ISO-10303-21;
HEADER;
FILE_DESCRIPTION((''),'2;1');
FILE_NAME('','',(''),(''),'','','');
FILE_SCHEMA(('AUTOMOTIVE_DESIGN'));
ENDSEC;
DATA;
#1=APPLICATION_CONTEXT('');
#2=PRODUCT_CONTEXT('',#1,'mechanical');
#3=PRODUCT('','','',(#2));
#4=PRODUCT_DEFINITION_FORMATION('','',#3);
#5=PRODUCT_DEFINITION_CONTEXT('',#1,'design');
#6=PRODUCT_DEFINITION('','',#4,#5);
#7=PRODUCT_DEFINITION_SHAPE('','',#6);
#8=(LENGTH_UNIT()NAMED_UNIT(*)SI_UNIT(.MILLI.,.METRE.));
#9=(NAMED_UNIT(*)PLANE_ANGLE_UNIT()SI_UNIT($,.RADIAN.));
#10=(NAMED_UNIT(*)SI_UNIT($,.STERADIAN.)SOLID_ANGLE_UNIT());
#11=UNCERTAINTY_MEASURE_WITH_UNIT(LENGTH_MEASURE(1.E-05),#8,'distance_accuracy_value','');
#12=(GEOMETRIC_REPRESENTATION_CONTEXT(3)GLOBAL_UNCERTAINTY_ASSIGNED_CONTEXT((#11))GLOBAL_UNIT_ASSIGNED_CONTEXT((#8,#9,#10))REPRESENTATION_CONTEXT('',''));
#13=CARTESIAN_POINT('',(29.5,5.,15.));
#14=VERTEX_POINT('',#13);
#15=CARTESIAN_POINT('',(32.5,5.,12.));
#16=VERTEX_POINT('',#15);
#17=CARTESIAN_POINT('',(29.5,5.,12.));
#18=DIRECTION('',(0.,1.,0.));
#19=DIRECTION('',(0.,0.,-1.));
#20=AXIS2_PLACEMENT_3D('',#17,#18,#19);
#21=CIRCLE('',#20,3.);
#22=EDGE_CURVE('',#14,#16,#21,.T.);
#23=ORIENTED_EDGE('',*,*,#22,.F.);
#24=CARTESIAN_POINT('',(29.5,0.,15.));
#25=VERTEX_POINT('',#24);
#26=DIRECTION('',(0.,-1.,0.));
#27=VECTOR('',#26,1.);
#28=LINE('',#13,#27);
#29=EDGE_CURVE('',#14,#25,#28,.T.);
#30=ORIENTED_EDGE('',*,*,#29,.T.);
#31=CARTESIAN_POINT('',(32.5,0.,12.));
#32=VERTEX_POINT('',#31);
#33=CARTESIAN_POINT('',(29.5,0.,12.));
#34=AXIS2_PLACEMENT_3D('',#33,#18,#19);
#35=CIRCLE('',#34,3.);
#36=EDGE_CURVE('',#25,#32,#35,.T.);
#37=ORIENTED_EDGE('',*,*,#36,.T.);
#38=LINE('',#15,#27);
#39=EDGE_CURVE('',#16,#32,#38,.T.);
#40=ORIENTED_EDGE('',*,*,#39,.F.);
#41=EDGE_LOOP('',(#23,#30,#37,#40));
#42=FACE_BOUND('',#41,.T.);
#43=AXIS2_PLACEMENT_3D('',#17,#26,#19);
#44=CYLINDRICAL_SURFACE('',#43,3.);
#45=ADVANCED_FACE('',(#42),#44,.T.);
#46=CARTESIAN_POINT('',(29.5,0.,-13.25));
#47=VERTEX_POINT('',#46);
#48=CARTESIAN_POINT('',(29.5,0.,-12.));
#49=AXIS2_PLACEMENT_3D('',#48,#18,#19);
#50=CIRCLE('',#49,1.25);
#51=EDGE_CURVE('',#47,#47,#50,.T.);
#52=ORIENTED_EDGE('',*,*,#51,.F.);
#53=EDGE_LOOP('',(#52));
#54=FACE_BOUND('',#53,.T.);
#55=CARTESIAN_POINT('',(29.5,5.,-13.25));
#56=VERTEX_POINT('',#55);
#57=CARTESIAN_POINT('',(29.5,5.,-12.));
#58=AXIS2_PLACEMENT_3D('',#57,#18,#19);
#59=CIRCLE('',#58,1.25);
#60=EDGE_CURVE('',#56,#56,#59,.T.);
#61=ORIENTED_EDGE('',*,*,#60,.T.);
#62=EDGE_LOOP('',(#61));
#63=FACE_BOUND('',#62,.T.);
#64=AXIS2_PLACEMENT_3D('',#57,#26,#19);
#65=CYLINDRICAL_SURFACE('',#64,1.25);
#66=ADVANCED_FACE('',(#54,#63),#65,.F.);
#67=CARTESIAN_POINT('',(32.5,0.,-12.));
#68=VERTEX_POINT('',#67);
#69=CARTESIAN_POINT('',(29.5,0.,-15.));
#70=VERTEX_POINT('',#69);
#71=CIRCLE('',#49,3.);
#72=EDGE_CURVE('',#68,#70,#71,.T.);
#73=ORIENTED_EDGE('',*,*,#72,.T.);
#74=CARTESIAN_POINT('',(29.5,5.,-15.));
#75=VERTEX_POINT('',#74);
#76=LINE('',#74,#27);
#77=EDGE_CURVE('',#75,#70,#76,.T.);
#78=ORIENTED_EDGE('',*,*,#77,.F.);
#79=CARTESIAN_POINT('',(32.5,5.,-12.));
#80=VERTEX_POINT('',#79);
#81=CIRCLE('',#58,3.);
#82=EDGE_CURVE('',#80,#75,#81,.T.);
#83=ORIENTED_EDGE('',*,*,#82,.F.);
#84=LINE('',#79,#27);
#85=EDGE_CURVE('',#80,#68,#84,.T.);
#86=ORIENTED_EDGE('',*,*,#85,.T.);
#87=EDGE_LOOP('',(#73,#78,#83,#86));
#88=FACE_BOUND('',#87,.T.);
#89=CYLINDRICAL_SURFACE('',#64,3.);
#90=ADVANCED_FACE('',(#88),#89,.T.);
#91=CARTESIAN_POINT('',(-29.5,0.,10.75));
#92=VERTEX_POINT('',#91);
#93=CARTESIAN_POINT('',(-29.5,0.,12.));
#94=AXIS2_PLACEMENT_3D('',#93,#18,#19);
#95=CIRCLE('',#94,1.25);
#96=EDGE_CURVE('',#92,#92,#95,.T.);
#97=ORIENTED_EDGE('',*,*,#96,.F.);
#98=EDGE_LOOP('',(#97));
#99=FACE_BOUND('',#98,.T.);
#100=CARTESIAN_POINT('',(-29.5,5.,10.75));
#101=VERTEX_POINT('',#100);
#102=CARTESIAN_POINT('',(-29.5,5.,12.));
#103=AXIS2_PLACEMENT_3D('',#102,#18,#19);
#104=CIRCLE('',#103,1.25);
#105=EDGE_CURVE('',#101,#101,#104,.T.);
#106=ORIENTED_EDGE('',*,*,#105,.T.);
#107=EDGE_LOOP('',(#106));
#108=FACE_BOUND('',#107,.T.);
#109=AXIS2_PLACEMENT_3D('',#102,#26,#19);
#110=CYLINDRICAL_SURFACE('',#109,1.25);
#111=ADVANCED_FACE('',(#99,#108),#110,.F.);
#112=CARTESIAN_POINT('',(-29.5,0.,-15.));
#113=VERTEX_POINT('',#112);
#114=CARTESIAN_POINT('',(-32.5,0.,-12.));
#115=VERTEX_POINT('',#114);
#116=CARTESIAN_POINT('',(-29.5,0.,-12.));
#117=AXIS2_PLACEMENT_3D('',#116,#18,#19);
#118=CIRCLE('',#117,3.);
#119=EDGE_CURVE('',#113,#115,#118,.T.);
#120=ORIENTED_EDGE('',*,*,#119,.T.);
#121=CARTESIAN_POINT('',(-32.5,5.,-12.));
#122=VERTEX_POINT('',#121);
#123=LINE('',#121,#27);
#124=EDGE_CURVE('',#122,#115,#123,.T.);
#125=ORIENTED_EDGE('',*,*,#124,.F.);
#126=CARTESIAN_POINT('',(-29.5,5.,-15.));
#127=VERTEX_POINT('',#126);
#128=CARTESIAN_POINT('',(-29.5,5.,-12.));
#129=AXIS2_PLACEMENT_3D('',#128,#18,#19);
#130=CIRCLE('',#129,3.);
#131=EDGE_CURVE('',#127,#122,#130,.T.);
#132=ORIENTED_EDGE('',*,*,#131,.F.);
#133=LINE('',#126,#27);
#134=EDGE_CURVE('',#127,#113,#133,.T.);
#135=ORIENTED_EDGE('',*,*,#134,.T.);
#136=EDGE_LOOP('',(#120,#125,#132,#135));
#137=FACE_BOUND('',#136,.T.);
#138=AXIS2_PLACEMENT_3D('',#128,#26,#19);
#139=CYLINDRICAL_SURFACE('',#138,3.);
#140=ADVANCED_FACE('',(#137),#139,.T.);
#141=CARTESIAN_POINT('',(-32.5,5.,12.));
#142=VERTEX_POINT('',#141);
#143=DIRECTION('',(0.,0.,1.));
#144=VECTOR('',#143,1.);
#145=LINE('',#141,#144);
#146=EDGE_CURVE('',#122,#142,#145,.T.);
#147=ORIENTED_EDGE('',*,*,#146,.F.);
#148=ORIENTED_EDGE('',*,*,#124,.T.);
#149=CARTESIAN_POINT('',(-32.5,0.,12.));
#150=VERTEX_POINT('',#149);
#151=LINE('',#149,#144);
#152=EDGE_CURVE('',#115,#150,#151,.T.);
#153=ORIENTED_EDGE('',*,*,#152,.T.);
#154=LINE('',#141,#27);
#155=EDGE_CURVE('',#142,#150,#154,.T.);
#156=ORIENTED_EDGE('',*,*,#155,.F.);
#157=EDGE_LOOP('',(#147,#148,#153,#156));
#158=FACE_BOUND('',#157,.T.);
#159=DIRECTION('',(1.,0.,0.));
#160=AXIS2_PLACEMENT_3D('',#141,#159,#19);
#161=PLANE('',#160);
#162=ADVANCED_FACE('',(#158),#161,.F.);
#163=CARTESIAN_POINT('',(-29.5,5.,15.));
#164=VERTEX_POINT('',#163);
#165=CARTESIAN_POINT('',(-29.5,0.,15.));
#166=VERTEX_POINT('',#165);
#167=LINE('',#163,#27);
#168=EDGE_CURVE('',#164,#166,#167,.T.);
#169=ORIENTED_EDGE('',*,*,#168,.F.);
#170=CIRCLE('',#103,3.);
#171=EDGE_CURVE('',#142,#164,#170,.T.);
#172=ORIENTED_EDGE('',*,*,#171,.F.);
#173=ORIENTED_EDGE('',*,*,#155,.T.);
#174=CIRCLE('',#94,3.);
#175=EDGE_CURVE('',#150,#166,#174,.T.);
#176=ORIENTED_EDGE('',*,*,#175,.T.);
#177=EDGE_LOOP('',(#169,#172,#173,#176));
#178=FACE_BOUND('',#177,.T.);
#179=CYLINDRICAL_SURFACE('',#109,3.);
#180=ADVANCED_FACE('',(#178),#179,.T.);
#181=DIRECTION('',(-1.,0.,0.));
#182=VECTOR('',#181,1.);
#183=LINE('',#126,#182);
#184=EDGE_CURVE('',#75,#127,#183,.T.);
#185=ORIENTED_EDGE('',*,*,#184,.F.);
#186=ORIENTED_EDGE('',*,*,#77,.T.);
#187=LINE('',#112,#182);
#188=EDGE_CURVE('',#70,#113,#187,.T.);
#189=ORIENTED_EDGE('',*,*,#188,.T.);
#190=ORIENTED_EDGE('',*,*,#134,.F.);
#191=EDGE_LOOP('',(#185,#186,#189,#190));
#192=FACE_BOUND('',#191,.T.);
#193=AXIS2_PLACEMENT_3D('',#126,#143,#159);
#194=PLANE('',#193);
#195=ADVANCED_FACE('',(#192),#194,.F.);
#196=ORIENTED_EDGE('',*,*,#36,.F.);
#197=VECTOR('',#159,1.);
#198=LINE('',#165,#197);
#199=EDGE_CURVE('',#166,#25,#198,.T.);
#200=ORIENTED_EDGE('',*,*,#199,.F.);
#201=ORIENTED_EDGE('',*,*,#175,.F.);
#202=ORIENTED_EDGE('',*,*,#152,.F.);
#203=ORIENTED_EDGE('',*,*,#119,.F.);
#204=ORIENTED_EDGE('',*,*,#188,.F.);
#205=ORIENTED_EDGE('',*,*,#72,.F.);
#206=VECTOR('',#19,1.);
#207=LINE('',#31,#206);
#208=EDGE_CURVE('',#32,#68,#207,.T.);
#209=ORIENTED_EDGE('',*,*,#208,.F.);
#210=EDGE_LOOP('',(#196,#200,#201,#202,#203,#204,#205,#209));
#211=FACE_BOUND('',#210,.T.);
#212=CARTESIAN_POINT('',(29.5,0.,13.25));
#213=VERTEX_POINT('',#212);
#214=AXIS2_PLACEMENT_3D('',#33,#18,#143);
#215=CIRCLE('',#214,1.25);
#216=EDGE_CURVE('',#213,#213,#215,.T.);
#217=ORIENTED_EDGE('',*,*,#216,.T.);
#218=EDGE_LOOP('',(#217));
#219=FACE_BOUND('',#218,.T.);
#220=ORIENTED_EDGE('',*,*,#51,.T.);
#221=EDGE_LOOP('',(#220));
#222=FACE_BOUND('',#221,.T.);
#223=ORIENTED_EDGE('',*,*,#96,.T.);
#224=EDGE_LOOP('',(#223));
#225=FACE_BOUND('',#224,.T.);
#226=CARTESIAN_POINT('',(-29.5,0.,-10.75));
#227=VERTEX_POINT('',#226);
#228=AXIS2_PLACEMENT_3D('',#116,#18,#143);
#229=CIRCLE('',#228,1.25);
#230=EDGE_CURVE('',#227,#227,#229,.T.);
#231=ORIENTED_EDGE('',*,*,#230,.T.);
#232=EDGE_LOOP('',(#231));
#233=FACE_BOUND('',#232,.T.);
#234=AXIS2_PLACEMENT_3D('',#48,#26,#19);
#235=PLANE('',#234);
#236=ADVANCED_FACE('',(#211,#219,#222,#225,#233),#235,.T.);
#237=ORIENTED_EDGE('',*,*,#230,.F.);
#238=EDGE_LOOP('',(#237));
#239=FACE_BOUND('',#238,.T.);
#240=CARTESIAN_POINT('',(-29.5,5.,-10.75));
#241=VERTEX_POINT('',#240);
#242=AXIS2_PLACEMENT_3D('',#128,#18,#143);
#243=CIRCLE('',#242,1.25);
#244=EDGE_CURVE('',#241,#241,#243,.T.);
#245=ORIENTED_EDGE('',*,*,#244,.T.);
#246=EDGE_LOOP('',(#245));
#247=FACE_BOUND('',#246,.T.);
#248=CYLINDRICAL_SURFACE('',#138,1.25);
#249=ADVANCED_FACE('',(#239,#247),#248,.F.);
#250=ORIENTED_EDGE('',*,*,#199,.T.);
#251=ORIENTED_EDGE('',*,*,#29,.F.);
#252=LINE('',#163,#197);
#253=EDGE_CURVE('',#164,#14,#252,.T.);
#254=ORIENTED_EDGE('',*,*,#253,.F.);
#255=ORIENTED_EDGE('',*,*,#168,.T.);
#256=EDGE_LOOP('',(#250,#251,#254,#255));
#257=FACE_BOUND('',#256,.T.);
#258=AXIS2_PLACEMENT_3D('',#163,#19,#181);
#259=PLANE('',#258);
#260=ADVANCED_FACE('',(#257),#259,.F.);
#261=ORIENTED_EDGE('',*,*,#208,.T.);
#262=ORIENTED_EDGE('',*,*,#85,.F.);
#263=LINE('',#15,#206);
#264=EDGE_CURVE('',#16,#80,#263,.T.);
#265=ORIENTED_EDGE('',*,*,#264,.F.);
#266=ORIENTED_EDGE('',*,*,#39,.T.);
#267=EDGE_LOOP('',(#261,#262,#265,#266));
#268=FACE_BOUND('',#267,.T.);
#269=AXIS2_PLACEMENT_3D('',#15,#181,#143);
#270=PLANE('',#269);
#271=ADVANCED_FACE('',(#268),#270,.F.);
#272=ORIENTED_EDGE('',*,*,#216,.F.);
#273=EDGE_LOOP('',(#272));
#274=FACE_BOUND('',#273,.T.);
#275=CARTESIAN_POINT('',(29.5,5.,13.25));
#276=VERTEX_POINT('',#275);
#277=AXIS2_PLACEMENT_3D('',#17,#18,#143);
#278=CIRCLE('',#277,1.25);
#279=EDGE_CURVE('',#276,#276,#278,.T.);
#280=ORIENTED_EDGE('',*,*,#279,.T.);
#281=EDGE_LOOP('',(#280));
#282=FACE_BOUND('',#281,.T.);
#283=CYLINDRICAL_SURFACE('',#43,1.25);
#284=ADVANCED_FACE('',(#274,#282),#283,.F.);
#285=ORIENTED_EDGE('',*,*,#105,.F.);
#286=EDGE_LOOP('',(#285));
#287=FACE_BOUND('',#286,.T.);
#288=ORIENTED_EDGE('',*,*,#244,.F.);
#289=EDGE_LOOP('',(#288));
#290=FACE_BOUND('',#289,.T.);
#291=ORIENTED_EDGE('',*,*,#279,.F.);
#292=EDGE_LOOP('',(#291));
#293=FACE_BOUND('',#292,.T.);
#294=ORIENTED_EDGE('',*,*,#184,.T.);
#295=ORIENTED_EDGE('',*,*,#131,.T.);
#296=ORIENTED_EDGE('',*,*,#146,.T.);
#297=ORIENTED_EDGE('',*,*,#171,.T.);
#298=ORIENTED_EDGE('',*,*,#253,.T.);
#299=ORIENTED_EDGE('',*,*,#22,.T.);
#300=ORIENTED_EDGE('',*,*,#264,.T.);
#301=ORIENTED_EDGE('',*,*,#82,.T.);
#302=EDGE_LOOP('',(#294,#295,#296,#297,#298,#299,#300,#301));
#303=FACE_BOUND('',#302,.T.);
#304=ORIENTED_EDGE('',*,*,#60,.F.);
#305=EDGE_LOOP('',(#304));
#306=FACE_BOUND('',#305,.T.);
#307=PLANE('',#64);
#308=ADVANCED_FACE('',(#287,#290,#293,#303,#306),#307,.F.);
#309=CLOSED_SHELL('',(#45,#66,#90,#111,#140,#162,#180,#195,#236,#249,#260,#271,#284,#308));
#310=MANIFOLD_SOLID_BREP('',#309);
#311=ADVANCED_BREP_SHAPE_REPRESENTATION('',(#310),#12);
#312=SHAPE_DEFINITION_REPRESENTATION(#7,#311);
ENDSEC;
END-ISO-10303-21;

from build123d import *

# Parameters (mm, degrees)
SKETCH1_R           = 1.25
BOSS_EXTRUDE1_DEPTH = 5


with BuildPart() as part:
    # Sketch1 → Boss-Extrude1 (new body)
    with BuildSketch(Plane(origin=(0, 0, 0), x_dir=(1, 0, 0), z_dir=(0, 1, 0))):
        with BuildLine():
            Line((-29.5, -15), (29.5, -15))
            ThreePointArc((29.5, -15), (31.621320344, -14.121320344), (32.5, -12))
            Line((32.5, -12), (32.5, 12))
            ThreePointArc((32.5, 12), (31.621320344, 14.121320344), (29.5, 15))
            Line((29.5, 15), (-29.5, 15))
            ThreePointArc((-29.5, 15), (-31.621320344, 14.121320344), (-32.5, 12))
            Line((-32.5, 12), (-32.5, -12))
            ThreePointArc((-32.5, -12), (-31.621320344, -14.121320344), (-29.5, -15))
        make_face()
        with Locations((-29.5, 12)):
            Circle(SKETCH1_R, mode=Mode.SUBTRACT)
        with Locations((29.5, 12)):
            Circle(SKETCH1_R, mode=Mode.SUBTRACT)
        with Locations((29.5, -12)):
            Circle(SKETCH1_R, mode=Mode.SUBTRACT)
        with Locations((-29.5, -12)):
            Circle(SKETCH1_R, mode=Mode.SUBTRACT)
    extrude(amount=BOSS_EXTRUDE1_DEPTH)


solid = part.part
